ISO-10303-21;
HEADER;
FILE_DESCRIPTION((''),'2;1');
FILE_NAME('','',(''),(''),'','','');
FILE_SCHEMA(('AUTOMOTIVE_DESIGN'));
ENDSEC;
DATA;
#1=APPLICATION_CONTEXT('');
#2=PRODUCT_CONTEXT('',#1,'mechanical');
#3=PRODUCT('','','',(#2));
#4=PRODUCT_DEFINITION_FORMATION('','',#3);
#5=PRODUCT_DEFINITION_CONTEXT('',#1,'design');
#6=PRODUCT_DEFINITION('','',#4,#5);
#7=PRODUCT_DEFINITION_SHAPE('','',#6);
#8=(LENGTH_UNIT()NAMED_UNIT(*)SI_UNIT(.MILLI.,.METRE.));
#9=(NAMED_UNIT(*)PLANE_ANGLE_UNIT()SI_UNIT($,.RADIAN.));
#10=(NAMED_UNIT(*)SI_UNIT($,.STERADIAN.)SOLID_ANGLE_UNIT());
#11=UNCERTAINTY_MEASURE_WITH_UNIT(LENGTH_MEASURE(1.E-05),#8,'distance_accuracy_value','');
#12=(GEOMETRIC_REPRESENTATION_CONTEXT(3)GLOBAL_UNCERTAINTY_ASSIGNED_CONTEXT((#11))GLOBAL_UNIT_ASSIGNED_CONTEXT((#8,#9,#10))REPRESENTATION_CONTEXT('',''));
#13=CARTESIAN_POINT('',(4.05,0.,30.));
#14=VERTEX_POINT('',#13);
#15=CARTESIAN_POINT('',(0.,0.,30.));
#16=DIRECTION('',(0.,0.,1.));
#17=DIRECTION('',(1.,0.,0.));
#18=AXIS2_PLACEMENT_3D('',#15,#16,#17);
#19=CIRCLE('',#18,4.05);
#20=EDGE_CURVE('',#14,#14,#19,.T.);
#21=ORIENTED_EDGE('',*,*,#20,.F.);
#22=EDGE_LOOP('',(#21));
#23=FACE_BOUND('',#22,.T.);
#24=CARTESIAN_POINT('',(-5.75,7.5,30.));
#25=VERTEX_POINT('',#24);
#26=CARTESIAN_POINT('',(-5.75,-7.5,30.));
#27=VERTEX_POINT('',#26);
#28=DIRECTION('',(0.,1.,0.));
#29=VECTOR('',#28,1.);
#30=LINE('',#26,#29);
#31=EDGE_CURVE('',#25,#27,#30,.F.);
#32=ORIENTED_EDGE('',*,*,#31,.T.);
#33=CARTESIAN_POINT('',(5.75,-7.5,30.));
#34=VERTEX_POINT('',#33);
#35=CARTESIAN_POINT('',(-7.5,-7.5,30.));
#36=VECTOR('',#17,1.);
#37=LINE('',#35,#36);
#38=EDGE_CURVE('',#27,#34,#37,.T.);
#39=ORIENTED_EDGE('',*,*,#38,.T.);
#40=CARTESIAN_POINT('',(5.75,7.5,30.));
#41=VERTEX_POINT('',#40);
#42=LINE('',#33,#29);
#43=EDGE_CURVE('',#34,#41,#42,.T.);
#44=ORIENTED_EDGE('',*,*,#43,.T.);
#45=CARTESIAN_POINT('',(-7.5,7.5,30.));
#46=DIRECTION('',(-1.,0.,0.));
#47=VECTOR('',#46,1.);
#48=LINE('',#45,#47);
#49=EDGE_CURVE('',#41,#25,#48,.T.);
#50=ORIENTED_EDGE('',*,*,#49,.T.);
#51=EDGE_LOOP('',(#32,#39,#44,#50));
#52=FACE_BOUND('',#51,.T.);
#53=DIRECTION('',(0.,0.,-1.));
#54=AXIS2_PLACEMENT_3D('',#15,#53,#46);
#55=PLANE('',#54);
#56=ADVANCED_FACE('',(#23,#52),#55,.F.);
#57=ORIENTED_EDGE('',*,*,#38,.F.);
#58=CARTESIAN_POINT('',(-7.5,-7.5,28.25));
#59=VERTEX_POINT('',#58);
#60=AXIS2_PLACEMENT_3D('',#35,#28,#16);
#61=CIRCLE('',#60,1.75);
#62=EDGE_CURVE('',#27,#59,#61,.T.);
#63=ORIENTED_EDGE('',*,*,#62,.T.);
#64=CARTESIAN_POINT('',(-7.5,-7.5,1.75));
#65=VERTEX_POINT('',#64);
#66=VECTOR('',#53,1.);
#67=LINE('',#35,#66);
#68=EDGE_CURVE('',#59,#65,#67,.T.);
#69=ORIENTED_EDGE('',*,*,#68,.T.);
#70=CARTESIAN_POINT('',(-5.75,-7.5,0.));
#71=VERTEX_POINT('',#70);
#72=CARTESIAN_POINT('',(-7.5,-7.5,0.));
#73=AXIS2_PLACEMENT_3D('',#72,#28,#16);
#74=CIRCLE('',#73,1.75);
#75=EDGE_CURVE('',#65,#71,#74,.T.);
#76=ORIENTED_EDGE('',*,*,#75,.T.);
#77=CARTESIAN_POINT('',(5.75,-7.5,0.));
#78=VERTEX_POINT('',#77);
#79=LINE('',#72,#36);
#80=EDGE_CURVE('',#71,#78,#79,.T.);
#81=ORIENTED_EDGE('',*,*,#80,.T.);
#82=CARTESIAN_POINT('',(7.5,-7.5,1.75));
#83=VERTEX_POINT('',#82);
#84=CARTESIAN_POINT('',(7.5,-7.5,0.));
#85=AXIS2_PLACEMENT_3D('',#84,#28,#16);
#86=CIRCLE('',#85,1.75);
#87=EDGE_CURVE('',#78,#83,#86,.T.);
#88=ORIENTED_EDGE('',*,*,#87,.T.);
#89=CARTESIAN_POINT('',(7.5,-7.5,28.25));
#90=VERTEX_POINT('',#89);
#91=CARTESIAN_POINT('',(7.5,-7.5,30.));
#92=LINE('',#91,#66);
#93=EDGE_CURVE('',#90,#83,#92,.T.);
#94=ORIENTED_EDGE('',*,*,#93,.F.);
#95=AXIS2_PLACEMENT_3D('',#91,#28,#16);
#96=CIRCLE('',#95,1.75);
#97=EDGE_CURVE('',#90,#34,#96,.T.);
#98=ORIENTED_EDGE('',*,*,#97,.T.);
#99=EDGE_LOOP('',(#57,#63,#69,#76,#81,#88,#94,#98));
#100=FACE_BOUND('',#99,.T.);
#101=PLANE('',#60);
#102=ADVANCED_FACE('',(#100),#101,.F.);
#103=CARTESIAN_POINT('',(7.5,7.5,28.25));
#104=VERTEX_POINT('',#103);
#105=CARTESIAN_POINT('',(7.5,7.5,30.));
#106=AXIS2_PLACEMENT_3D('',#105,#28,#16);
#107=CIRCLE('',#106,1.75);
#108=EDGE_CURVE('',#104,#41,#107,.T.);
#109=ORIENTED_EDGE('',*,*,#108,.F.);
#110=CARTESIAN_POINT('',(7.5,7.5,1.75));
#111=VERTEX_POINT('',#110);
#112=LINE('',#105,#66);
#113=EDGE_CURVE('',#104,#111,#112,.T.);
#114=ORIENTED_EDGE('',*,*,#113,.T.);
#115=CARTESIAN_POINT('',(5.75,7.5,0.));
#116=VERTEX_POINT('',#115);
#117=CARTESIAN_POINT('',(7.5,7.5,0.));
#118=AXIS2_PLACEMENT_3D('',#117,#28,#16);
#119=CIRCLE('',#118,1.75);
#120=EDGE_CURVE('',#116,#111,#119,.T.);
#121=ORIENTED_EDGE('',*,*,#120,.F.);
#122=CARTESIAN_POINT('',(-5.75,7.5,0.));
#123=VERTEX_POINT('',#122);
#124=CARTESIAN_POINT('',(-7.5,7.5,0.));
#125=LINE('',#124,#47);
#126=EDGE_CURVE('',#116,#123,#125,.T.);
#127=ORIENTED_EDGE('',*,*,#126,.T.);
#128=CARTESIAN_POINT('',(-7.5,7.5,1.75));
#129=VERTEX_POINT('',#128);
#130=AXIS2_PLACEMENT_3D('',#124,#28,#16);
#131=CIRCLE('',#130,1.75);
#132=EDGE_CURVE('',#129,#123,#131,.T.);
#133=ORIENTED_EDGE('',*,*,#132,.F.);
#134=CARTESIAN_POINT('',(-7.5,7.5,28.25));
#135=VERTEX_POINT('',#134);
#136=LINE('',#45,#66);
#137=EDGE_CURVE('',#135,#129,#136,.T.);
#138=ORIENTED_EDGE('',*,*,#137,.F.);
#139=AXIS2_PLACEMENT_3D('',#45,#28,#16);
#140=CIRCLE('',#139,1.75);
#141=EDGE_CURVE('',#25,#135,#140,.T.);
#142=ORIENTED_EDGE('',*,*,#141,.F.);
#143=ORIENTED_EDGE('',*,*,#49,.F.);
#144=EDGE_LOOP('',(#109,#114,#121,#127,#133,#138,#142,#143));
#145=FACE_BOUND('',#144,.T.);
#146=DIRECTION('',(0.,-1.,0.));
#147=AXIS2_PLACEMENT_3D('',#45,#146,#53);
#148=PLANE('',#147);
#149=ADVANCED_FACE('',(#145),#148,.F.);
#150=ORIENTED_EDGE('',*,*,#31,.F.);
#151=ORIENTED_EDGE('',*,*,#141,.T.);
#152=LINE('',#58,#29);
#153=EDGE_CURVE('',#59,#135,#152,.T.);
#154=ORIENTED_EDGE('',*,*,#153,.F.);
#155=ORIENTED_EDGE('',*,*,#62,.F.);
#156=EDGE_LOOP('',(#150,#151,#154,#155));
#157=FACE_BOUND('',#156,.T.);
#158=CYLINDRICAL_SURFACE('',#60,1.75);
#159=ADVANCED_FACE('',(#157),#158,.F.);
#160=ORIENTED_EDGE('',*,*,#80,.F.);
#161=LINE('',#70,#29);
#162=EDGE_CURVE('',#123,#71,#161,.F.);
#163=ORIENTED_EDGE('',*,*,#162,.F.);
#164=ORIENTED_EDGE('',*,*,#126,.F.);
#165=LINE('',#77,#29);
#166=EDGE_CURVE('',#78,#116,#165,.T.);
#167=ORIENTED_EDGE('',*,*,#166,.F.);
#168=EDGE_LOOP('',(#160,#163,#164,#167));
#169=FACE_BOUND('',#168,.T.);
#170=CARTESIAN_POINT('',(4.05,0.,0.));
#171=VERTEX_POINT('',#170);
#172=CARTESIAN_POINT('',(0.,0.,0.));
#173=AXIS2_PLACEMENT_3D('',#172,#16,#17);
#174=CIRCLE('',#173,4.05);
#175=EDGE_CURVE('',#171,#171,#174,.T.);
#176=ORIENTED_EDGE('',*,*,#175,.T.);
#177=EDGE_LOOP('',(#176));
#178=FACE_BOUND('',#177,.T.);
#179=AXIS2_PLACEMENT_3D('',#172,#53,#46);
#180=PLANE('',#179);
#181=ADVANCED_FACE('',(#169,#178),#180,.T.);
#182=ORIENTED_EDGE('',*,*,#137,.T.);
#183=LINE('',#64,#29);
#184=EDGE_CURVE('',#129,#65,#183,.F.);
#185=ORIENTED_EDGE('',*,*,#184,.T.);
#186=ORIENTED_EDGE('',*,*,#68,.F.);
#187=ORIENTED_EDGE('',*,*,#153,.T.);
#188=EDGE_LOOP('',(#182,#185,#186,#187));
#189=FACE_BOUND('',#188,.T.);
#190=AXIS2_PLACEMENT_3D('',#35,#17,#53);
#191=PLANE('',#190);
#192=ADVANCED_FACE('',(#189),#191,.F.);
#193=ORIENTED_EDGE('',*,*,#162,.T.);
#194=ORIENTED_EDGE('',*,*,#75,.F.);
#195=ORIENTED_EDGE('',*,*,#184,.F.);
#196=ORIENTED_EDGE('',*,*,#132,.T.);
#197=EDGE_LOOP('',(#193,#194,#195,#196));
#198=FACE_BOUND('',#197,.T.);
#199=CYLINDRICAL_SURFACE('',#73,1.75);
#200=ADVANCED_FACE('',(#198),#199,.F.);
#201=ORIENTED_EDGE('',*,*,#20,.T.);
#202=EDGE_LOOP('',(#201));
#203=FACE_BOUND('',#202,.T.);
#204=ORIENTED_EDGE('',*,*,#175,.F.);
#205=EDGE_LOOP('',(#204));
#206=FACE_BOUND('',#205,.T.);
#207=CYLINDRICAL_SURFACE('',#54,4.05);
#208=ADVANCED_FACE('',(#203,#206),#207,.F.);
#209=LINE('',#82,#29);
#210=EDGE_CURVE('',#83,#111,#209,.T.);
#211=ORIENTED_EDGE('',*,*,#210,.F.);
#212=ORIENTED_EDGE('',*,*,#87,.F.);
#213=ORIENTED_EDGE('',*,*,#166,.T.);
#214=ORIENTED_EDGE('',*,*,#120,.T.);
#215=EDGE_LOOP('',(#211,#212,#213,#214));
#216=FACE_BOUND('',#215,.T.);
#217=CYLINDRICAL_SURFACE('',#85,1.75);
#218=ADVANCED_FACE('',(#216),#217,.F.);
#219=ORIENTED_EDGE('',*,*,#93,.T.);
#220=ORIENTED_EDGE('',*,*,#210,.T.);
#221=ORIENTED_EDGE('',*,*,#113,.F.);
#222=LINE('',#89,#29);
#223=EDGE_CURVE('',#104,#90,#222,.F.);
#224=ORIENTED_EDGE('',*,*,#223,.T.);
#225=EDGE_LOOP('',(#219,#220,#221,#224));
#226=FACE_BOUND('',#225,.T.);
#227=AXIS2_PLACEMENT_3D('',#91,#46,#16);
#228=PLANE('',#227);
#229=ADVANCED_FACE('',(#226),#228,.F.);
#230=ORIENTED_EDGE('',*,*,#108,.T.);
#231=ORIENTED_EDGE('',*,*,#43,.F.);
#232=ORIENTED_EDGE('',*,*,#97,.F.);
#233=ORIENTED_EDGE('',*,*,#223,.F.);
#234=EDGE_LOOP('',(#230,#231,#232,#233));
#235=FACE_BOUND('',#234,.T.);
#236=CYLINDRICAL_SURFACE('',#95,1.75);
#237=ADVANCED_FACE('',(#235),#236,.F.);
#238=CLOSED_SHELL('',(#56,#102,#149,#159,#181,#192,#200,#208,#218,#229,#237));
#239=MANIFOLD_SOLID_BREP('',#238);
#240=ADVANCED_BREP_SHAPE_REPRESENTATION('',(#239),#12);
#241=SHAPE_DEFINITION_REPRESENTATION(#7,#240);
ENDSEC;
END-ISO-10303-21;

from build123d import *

# Parameters (mm, degrees)
SKETCH1_W           = 15
SKETCH1_H           = 15
SKETCH1_R           = 4.05
BOSS_EXTRUDE1_DEPTH = 30
SKETCH2_R           = 1.75
CUT_EXTRUDE1_DEPTH  = 35.369317712


with BuildPart() as part:
    # Sketch1 → Boss-Extrude1 (new body)
    with BuildSketch(Plane.XY):
        Rectangle(SKETCH1_W, SKETCH1_H)
        Circle(SKETCH1_R, mode=Mode.SUBTRACT)
    extrude(amount=BOSS_EXTRUDE1_DEPTH)

    # Sketch2 → Cut-Extrude1 (cut, through all)
    with BuildSketch(Plane(origin=(0, 7.5, 0), x_dir=(1, 0, 0), z_dir=(0, 1, 0))):
        with Locations((7.5, -30)):
            Circle(SKETCH2_R)
        with Locations((7.5, 0)):
            Circle(SKETCH2_R)
        with Locations((-7.5, 0)):
            Circle(SKETCH2_R)
        with Locations((-7.5, -30)):
            Circle(SKETCH2_R)
    extrude(amount=-CUT_EXTRUDE1_DEPTH, mode=Mode.SUBTRACT)


solid = part.part
